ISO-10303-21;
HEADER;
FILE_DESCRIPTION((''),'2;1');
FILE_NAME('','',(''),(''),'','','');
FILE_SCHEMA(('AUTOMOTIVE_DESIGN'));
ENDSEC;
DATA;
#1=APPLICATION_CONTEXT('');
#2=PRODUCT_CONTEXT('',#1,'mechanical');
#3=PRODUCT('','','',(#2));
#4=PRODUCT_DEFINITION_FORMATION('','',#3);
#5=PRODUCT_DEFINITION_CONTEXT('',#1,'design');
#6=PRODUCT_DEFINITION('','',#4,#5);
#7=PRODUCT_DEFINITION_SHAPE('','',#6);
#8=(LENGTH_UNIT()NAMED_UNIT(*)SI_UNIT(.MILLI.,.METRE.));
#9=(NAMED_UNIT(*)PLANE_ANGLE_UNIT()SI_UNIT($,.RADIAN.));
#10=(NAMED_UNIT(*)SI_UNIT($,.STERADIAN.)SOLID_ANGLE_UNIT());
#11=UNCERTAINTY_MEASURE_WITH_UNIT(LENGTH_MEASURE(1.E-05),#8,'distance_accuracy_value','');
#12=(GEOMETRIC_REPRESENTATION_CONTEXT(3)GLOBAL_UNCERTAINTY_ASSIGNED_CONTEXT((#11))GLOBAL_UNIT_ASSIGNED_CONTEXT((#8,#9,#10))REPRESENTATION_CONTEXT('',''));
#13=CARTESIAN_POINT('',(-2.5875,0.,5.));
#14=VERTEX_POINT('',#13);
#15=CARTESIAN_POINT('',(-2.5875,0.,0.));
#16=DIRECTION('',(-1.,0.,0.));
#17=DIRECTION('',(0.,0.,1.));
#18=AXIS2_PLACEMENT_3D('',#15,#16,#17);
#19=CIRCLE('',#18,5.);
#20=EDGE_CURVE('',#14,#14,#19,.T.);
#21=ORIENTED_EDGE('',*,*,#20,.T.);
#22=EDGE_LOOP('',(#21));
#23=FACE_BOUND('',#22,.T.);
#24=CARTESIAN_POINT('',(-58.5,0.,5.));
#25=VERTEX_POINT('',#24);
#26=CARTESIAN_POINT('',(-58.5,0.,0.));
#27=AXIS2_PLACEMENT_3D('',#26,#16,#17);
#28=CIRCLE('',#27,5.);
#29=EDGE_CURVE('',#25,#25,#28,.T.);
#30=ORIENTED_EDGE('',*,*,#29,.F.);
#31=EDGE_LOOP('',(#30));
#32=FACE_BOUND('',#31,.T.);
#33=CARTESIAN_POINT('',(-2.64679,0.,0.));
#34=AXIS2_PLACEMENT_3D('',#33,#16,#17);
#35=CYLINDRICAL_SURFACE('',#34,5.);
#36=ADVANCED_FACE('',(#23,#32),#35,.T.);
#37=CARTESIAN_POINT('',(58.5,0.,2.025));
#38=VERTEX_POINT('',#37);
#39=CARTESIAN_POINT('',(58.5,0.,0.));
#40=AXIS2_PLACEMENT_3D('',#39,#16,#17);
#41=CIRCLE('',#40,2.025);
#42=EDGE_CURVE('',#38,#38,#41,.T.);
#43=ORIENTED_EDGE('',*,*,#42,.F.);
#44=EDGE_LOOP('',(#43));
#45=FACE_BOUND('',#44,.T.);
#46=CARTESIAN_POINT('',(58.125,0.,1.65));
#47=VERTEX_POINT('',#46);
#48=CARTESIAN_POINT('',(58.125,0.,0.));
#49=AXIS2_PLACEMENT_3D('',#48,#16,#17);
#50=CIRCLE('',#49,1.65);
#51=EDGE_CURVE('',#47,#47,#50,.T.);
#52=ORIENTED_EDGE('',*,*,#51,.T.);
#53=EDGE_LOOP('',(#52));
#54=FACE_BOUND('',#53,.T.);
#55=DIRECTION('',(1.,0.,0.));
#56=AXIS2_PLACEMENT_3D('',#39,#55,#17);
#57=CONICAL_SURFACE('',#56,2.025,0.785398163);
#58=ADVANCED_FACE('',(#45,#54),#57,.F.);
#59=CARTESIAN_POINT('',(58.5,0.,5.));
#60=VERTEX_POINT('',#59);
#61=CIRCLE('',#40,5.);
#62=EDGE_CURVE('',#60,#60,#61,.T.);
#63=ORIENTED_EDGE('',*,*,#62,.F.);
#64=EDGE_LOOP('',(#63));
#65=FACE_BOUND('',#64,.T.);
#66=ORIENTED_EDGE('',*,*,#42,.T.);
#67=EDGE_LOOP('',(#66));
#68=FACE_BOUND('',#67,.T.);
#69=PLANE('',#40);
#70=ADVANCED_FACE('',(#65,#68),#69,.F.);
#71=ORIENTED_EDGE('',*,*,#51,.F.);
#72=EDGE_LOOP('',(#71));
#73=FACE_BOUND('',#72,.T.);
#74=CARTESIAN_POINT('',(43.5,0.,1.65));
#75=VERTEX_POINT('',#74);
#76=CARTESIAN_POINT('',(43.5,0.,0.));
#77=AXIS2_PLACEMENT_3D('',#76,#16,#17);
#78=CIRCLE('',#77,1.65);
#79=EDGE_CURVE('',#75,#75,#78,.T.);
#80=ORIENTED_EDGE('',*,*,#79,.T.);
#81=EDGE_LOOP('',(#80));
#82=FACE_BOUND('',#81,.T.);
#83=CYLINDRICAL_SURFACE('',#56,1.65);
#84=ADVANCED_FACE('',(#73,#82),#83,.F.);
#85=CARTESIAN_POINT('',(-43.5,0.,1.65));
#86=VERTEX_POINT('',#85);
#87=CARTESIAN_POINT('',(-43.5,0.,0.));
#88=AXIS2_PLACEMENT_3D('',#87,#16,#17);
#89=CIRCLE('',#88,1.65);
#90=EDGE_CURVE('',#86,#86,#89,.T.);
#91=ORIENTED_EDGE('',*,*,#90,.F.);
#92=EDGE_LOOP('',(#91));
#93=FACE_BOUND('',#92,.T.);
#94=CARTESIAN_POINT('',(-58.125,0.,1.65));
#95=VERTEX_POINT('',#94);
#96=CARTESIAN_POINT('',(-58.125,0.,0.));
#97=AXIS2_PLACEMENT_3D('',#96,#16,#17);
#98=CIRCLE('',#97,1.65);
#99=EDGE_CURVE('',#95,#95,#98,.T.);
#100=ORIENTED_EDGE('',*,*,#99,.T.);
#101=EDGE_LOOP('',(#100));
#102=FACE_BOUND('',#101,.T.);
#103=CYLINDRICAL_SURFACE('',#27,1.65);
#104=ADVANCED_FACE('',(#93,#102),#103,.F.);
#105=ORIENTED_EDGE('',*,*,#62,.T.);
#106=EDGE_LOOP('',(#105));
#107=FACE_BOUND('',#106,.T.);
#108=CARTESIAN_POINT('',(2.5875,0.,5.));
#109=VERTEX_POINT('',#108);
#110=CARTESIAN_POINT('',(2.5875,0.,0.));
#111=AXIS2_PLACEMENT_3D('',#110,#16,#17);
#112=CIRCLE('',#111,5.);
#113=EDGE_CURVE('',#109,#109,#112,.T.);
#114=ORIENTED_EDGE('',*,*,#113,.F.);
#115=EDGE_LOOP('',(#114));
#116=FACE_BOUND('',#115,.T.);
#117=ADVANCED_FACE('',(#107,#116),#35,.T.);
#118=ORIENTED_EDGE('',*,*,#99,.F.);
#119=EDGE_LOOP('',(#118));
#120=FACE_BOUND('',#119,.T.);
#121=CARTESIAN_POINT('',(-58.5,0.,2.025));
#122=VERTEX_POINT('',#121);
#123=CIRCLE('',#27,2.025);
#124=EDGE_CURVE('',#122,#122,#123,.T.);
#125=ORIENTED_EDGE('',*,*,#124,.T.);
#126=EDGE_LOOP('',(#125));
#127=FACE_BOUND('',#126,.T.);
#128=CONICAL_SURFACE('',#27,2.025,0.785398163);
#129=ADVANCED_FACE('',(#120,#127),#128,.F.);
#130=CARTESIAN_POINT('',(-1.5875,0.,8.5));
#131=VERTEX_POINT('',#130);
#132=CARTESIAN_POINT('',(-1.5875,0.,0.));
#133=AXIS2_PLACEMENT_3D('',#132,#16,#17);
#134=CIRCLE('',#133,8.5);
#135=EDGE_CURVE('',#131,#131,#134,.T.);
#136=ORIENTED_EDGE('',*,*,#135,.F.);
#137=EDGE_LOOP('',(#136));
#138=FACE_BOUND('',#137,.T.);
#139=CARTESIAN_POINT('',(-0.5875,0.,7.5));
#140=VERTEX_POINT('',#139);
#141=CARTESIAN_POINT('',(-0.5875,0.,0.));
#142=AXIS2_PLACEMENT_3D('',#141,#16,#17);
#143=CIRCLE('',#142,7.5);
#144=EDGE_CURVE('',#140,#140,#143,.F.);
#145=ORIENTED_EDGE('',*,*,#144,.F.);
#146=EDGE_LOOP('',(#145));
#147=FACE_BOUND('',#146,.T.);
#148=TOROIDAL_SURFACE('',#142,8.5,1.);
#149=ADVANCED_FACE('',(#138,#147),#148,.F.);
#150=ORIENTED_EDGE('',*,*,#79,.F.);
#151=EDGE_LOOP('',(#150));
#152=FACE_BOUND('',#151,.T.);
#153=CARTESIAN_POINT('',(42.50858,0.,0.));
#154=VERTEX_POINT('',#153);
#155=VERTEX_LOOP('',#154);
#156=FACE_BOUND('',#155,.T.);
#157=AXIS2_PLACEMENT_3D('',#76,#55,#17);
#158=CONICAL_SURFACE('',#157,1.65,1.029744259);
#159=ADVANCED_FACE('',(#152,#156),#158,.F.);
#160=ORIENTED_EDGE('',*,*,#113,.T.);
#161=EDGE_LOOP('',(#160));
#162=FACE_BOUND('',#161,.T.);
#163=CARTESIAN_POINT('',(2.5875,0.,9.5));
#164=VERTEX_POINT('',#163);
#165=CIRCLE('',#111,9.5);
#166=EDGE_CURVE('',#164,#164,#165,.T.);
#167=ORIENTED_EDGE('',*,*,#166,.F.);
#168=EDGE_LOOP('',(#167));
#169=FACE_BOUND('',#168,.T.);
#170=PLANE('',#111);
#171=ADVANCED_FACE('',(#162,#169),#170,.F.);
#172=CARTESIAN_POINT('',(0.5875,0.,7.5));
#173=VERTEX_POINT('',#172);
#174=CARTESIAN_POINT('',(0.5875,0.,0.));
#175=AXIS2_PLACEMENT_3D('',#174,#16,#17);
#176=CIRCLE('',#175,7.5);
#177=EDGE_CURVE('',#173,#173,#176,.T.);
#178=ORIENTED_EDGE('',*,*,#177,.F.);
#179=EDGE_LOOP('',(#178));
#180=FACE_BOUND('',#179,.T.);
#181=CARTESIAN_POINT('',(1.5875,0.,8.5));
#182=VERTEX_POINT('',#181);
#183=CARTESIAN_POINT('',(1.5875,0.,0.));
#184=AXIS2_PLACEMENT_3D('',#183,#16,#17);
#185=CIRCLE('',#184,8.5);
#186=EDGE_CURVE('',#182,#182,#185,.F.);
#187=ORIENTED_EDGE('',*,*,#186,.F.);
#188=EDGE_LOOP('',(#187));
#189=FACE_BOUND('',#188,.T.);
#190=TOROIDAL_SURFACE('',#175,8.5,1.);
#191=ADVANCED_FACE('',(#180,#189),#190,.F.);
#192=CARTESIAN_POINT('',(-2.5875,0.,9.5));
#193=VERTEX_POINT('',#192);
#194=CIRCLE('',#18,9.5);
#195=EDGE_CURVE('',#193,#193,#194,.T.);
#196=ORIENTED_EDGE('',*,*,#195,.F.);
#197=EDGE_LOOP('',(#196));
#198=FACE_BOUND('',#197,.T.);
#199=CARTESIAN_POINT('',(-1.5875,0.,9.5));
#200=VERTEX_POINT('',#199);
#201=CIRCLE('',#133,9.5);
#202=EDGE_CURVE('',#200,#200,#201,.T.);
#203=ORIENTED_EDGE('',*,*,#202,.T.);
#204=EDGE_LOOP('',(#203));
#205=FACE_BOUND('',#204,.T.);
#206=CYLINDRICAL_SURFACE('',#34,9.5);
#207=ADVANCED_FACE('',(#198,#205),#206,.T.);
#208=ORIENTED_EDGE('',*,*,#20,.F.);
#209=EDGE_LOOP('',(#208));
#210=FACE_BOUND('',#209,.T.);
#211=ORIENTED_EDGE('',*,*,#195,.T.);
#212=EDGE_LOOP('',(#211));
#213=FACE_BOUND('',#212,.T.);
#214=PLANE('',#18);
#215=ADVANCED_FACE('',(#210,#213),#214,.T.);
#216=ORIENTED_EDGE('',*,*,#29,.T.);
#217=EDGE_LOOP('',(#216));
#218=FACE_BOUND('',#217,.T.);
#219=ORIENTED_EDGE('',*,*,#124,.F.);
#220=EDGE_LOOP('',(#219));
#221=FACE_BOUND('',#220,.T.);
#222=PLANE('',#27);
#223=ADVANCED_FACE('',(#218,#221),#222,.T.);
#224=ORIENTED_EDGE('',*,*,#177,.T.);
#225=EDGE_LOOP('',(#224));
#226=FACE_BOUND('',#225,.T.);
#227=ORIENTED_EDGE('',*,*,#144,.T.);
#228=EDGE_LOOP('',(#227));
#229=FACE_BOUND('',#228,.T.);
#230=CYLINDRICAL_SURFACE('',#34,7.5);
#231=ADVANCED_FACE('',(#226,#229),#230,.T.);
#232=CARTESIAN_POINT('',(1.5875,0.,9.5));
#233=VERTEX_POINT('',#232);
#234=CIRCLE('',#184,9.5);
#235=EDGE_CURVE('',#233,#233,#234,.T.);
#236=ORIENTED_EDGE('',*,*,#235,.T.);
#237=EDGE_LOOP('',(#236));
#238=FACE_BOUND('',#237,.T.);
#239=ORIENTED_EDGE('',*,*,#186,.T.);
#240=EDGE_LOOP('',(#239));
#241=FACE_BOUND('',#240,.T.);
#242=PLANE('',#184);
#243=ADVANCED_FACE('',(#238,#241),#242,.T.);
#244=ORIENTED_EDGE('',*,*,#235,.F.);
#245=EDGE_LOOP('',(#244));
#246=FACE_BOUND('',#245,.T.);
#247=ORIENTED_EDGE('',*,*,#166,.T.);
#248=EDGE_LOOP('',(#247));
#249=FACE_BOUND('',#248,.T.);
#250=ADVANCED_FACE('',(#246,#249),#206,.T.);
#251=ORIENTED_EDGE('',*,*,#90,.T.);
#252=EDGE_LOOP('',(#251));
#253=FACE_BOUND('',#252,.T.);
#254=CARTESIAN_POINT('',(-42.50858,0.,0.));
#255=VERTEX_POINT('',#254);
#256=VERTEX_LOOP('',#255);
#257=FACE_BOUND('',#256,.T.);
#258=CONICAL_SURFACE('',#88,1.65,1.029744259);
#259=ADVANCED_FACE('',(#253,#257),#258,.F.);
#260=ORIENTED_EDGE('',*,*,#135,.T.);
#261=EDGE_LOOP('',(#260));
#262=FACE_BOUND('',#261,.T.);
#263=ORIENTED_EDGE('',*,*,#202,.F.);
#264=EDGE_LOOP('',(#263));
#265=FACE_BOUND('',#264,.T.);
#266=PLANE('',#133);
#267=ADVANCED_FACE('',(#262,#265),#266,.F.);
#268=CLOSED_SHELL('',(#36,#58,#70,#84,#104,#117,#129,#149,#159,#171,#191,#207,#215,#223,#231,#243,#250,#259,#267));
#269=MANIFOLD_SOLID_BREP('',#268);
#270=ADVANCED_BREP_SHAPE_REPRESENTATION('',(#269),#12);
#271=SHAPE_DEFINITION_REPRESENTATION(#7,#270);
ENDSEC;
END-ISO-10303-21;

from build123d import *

# Parameters (mm, degrees)
SKETCH1_W   = 1.5875
SKETCH1_H   = 7.5
SKETCH1_W_2 = 1
SKETCH1_H_2 = 9.5
SKETCH1_W_3 = 55.9125
SKETCH1_H_3 = 5
FILLET1_R   = 1


with BuildPart() as part:
    # Sketch1 → Revolve1 (revolve)
    with BuildSketch(Plane(origin=(0, 0, 0), x_dir=(1, 0, 0), z_dir=(0, 1, 0))):
        Polygon((-2.5875, 0), (-1.5875, 0), (-1.5875, 7.5), (-1.5875, 9.5), (-2.5875, 9.5), (-2.5875, 5), align=None)
        with Locations((-0.79375, 3.75)):
            Rectangle(SKETCH1_W, SKETCH1_H)
        with Locations((0.79375, 3.75)):
            Rectangle(SKETCH1_W, SKETCH1_H)
        with Locations((2.0875, 4.75)):
            Rectangle(SKETCH1_W_2, SKETCH1_H_2)
        with Locations((-30.54375, 2.5)):
            Rectangle(SKETCH1_W_3, SKETCH1_H_3)
        with Locations((30.54375, 2.5)):
            Rectangle(SKETCH1_W_3, SKETCH1_H_3)
    revolve(axis=Axis((-2.646790194, 0, 0), (1, 0, 0)))

    # Fillet1
    fillet1_edges = [part.edges().sort_by_distance(p)[0] for p in [
        (-1.5875, 0, 7.5),
        (1.5875, 0, 7.5),
    ]]
    fillet(fillet1_edges, radius=FILLET1_R)

    # Sketch3 → M4x0.7 Tapped Hole1 (revolve, cut)
    with BuildSketch(Plane(origin=(-58.5, 0, 0), x_dir=(0, 0, 1), z_dir=(0, 1, 0))):
        Polygon((0, 0), (0, 15.991420021), (1.65, 15), (1.65, 0.375), (2.025, 0), align=None)
    m4x0_7_tapped_hole1 = revolve(axis=Axis((-64.85, 0, 0), (1, 0, 0)), mode=Mode.SUBTRACT)

    # Mirror1: M4x0.7 Tapped Hole1 across plane
    add(m4x0_7_tapped_hole1.mirror(Plane(origin=(0, 0, 0), x_dir=(0, 0, 1), z_dir=(1, 0, 0))), mode=Mode.SUBTRACT)


solid = part.part
